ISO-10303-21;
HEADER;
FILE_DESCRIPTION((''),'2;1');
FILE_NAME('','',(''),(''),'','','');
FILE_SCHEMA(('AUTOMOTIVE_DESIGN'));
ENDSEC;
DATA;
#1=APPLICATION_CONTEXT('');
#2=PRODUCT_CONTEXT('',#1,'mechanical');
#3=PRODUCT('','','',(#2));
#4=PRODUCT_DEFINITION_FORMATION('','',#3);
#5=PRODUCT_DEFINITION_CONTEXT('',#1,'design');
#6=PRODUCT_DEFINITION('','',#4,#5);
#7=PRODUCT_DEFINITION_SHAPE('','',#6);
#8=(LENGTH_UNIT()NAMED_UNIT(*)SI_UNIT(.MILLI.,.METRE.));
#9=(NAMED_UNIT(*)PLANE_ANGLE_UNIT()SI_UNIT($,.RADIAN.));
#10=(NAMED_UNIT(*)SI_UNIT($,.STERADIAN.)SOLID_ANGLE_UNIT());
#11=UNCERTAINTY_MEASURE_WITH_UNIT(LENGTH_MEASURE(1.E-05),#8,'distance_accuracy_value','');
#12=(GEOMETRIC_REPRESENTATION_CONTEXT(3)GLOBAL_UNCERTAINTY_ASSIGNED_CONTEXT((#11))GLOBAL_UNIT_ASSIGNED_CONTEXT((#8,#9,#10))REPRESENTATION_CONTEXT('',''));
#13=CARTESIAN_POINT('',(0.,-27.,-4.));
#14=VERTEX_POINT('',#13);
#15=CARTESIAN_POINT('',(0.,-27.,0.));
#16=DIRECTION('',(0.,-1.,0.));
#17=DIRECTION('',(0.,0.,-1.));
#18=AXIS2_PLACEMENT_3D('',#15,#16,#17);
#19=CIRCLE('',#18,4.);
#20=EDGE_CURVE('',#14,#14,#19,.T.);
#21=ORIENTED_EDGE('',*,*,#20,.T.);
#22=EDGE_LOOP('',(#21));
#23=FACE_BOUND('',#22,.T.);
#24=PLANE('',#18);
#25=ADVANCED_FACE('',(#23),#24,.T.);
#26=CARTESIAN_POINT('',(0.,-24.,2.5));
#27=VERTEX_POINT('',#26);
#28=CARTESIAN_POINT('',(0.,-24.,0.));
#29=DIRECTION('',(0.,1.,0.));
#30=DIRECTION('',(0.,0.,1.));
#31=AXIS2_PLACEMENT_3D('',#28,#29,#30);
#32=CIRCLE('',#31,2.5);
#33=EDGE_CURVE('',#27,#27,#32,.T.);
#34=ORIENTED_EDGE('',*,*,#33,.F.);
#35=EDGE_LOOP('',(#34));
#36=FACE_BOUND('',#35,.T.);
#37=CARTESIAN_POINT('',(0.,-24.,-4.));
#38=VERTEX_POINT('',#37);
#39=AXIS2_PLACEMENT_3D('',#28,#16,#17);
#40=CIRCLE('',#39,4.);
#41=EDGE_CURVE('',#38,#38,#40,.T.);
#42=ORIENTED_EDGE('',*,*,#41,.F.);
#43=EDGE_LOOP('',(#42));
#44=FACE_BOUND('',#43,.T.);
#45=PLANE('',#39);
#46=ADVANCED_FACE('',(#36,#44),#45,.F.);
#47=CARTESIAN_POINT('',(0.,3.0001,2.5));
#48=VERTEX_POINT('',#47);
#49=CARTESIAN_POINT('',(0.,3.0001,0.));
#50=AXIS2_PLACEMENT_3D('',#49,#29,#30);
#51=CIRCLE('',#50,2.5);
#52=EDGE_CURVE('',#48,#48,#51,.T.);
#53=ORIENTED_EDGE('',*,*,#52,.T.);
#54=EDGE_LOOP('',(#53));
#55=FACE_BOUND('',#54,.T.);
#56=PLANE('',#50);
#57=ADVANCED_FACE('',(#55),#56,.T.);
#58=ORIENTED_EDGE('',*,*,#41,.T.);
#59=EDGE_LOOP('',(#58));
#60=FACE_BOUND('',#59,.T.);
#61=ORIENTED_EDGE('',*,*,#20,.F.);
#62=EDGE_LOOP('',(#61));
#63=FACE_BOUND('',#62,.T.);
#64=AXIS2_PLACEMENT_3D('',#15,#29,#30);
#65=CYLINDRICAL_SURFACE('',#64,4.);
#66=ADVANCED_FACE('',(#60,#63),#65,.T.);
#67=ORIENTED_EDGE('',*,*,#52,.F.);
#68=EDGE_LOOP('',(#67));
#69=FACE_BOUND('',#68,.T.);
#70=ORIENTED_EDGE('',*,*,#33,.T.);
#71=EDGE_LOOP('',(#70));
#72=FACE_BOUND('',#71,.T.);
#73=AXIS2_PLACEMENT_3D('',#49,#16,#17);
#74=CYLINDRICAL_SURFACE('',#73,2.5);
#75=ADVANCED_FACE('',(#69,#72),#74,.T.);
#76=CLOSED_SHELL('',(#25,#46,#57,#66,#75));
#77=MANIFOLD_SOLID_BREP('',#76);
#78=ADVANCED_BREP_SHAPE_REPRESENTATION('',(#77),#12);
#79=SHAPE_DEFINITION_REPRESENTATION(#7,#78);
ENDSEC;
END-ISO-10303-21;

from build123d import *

# Parameters (mm, degrees)
BOSS_EXTRUDE1_DEPTH      = 3.0001
BOSS_EXTRUDE1_DEPTH_BACK = 24
SKETCH1_R                = 2.5
SKETCH2_R                = 4
BOSS_EXTRUDE2_DEPTH      = 3


with BuildPart() as part:
    # Sketch1 → Boss-Extrude1 (new, two sides: drawn at the far end of the back side and taken through both)
    with BuildSketch(Plane(origin=(0, 0, 0), x_dir=(1, 0, 0), z_dir=(0, 1, 0)).offset(-BOSS_EXTRUDE1_DEPTH_BACK)):
        with Locations(Location((0, 0, 0), (0, 0, 270))):
            Circle(SKETCH1_R)
    extrude(amount=BOSS_EXTRUDE1_DEPTH + BOSS_EXTRUDE1_DEPTH_BACK)

    # Sketch2 → Boss-Extrude2 (add)
    with BuildSketch(Plane(origin=(0, -24, 0), x_dir=(-1, 0, 0), z_dir=(0, -1, 0))):
        with Locations(Location((0, 0, 0), (0, 0, 90))):
            Circle(SKETCH2_R)
    extrude(amount=BOSS_EXTRUDE2_DEPTH)


solid = part.part
